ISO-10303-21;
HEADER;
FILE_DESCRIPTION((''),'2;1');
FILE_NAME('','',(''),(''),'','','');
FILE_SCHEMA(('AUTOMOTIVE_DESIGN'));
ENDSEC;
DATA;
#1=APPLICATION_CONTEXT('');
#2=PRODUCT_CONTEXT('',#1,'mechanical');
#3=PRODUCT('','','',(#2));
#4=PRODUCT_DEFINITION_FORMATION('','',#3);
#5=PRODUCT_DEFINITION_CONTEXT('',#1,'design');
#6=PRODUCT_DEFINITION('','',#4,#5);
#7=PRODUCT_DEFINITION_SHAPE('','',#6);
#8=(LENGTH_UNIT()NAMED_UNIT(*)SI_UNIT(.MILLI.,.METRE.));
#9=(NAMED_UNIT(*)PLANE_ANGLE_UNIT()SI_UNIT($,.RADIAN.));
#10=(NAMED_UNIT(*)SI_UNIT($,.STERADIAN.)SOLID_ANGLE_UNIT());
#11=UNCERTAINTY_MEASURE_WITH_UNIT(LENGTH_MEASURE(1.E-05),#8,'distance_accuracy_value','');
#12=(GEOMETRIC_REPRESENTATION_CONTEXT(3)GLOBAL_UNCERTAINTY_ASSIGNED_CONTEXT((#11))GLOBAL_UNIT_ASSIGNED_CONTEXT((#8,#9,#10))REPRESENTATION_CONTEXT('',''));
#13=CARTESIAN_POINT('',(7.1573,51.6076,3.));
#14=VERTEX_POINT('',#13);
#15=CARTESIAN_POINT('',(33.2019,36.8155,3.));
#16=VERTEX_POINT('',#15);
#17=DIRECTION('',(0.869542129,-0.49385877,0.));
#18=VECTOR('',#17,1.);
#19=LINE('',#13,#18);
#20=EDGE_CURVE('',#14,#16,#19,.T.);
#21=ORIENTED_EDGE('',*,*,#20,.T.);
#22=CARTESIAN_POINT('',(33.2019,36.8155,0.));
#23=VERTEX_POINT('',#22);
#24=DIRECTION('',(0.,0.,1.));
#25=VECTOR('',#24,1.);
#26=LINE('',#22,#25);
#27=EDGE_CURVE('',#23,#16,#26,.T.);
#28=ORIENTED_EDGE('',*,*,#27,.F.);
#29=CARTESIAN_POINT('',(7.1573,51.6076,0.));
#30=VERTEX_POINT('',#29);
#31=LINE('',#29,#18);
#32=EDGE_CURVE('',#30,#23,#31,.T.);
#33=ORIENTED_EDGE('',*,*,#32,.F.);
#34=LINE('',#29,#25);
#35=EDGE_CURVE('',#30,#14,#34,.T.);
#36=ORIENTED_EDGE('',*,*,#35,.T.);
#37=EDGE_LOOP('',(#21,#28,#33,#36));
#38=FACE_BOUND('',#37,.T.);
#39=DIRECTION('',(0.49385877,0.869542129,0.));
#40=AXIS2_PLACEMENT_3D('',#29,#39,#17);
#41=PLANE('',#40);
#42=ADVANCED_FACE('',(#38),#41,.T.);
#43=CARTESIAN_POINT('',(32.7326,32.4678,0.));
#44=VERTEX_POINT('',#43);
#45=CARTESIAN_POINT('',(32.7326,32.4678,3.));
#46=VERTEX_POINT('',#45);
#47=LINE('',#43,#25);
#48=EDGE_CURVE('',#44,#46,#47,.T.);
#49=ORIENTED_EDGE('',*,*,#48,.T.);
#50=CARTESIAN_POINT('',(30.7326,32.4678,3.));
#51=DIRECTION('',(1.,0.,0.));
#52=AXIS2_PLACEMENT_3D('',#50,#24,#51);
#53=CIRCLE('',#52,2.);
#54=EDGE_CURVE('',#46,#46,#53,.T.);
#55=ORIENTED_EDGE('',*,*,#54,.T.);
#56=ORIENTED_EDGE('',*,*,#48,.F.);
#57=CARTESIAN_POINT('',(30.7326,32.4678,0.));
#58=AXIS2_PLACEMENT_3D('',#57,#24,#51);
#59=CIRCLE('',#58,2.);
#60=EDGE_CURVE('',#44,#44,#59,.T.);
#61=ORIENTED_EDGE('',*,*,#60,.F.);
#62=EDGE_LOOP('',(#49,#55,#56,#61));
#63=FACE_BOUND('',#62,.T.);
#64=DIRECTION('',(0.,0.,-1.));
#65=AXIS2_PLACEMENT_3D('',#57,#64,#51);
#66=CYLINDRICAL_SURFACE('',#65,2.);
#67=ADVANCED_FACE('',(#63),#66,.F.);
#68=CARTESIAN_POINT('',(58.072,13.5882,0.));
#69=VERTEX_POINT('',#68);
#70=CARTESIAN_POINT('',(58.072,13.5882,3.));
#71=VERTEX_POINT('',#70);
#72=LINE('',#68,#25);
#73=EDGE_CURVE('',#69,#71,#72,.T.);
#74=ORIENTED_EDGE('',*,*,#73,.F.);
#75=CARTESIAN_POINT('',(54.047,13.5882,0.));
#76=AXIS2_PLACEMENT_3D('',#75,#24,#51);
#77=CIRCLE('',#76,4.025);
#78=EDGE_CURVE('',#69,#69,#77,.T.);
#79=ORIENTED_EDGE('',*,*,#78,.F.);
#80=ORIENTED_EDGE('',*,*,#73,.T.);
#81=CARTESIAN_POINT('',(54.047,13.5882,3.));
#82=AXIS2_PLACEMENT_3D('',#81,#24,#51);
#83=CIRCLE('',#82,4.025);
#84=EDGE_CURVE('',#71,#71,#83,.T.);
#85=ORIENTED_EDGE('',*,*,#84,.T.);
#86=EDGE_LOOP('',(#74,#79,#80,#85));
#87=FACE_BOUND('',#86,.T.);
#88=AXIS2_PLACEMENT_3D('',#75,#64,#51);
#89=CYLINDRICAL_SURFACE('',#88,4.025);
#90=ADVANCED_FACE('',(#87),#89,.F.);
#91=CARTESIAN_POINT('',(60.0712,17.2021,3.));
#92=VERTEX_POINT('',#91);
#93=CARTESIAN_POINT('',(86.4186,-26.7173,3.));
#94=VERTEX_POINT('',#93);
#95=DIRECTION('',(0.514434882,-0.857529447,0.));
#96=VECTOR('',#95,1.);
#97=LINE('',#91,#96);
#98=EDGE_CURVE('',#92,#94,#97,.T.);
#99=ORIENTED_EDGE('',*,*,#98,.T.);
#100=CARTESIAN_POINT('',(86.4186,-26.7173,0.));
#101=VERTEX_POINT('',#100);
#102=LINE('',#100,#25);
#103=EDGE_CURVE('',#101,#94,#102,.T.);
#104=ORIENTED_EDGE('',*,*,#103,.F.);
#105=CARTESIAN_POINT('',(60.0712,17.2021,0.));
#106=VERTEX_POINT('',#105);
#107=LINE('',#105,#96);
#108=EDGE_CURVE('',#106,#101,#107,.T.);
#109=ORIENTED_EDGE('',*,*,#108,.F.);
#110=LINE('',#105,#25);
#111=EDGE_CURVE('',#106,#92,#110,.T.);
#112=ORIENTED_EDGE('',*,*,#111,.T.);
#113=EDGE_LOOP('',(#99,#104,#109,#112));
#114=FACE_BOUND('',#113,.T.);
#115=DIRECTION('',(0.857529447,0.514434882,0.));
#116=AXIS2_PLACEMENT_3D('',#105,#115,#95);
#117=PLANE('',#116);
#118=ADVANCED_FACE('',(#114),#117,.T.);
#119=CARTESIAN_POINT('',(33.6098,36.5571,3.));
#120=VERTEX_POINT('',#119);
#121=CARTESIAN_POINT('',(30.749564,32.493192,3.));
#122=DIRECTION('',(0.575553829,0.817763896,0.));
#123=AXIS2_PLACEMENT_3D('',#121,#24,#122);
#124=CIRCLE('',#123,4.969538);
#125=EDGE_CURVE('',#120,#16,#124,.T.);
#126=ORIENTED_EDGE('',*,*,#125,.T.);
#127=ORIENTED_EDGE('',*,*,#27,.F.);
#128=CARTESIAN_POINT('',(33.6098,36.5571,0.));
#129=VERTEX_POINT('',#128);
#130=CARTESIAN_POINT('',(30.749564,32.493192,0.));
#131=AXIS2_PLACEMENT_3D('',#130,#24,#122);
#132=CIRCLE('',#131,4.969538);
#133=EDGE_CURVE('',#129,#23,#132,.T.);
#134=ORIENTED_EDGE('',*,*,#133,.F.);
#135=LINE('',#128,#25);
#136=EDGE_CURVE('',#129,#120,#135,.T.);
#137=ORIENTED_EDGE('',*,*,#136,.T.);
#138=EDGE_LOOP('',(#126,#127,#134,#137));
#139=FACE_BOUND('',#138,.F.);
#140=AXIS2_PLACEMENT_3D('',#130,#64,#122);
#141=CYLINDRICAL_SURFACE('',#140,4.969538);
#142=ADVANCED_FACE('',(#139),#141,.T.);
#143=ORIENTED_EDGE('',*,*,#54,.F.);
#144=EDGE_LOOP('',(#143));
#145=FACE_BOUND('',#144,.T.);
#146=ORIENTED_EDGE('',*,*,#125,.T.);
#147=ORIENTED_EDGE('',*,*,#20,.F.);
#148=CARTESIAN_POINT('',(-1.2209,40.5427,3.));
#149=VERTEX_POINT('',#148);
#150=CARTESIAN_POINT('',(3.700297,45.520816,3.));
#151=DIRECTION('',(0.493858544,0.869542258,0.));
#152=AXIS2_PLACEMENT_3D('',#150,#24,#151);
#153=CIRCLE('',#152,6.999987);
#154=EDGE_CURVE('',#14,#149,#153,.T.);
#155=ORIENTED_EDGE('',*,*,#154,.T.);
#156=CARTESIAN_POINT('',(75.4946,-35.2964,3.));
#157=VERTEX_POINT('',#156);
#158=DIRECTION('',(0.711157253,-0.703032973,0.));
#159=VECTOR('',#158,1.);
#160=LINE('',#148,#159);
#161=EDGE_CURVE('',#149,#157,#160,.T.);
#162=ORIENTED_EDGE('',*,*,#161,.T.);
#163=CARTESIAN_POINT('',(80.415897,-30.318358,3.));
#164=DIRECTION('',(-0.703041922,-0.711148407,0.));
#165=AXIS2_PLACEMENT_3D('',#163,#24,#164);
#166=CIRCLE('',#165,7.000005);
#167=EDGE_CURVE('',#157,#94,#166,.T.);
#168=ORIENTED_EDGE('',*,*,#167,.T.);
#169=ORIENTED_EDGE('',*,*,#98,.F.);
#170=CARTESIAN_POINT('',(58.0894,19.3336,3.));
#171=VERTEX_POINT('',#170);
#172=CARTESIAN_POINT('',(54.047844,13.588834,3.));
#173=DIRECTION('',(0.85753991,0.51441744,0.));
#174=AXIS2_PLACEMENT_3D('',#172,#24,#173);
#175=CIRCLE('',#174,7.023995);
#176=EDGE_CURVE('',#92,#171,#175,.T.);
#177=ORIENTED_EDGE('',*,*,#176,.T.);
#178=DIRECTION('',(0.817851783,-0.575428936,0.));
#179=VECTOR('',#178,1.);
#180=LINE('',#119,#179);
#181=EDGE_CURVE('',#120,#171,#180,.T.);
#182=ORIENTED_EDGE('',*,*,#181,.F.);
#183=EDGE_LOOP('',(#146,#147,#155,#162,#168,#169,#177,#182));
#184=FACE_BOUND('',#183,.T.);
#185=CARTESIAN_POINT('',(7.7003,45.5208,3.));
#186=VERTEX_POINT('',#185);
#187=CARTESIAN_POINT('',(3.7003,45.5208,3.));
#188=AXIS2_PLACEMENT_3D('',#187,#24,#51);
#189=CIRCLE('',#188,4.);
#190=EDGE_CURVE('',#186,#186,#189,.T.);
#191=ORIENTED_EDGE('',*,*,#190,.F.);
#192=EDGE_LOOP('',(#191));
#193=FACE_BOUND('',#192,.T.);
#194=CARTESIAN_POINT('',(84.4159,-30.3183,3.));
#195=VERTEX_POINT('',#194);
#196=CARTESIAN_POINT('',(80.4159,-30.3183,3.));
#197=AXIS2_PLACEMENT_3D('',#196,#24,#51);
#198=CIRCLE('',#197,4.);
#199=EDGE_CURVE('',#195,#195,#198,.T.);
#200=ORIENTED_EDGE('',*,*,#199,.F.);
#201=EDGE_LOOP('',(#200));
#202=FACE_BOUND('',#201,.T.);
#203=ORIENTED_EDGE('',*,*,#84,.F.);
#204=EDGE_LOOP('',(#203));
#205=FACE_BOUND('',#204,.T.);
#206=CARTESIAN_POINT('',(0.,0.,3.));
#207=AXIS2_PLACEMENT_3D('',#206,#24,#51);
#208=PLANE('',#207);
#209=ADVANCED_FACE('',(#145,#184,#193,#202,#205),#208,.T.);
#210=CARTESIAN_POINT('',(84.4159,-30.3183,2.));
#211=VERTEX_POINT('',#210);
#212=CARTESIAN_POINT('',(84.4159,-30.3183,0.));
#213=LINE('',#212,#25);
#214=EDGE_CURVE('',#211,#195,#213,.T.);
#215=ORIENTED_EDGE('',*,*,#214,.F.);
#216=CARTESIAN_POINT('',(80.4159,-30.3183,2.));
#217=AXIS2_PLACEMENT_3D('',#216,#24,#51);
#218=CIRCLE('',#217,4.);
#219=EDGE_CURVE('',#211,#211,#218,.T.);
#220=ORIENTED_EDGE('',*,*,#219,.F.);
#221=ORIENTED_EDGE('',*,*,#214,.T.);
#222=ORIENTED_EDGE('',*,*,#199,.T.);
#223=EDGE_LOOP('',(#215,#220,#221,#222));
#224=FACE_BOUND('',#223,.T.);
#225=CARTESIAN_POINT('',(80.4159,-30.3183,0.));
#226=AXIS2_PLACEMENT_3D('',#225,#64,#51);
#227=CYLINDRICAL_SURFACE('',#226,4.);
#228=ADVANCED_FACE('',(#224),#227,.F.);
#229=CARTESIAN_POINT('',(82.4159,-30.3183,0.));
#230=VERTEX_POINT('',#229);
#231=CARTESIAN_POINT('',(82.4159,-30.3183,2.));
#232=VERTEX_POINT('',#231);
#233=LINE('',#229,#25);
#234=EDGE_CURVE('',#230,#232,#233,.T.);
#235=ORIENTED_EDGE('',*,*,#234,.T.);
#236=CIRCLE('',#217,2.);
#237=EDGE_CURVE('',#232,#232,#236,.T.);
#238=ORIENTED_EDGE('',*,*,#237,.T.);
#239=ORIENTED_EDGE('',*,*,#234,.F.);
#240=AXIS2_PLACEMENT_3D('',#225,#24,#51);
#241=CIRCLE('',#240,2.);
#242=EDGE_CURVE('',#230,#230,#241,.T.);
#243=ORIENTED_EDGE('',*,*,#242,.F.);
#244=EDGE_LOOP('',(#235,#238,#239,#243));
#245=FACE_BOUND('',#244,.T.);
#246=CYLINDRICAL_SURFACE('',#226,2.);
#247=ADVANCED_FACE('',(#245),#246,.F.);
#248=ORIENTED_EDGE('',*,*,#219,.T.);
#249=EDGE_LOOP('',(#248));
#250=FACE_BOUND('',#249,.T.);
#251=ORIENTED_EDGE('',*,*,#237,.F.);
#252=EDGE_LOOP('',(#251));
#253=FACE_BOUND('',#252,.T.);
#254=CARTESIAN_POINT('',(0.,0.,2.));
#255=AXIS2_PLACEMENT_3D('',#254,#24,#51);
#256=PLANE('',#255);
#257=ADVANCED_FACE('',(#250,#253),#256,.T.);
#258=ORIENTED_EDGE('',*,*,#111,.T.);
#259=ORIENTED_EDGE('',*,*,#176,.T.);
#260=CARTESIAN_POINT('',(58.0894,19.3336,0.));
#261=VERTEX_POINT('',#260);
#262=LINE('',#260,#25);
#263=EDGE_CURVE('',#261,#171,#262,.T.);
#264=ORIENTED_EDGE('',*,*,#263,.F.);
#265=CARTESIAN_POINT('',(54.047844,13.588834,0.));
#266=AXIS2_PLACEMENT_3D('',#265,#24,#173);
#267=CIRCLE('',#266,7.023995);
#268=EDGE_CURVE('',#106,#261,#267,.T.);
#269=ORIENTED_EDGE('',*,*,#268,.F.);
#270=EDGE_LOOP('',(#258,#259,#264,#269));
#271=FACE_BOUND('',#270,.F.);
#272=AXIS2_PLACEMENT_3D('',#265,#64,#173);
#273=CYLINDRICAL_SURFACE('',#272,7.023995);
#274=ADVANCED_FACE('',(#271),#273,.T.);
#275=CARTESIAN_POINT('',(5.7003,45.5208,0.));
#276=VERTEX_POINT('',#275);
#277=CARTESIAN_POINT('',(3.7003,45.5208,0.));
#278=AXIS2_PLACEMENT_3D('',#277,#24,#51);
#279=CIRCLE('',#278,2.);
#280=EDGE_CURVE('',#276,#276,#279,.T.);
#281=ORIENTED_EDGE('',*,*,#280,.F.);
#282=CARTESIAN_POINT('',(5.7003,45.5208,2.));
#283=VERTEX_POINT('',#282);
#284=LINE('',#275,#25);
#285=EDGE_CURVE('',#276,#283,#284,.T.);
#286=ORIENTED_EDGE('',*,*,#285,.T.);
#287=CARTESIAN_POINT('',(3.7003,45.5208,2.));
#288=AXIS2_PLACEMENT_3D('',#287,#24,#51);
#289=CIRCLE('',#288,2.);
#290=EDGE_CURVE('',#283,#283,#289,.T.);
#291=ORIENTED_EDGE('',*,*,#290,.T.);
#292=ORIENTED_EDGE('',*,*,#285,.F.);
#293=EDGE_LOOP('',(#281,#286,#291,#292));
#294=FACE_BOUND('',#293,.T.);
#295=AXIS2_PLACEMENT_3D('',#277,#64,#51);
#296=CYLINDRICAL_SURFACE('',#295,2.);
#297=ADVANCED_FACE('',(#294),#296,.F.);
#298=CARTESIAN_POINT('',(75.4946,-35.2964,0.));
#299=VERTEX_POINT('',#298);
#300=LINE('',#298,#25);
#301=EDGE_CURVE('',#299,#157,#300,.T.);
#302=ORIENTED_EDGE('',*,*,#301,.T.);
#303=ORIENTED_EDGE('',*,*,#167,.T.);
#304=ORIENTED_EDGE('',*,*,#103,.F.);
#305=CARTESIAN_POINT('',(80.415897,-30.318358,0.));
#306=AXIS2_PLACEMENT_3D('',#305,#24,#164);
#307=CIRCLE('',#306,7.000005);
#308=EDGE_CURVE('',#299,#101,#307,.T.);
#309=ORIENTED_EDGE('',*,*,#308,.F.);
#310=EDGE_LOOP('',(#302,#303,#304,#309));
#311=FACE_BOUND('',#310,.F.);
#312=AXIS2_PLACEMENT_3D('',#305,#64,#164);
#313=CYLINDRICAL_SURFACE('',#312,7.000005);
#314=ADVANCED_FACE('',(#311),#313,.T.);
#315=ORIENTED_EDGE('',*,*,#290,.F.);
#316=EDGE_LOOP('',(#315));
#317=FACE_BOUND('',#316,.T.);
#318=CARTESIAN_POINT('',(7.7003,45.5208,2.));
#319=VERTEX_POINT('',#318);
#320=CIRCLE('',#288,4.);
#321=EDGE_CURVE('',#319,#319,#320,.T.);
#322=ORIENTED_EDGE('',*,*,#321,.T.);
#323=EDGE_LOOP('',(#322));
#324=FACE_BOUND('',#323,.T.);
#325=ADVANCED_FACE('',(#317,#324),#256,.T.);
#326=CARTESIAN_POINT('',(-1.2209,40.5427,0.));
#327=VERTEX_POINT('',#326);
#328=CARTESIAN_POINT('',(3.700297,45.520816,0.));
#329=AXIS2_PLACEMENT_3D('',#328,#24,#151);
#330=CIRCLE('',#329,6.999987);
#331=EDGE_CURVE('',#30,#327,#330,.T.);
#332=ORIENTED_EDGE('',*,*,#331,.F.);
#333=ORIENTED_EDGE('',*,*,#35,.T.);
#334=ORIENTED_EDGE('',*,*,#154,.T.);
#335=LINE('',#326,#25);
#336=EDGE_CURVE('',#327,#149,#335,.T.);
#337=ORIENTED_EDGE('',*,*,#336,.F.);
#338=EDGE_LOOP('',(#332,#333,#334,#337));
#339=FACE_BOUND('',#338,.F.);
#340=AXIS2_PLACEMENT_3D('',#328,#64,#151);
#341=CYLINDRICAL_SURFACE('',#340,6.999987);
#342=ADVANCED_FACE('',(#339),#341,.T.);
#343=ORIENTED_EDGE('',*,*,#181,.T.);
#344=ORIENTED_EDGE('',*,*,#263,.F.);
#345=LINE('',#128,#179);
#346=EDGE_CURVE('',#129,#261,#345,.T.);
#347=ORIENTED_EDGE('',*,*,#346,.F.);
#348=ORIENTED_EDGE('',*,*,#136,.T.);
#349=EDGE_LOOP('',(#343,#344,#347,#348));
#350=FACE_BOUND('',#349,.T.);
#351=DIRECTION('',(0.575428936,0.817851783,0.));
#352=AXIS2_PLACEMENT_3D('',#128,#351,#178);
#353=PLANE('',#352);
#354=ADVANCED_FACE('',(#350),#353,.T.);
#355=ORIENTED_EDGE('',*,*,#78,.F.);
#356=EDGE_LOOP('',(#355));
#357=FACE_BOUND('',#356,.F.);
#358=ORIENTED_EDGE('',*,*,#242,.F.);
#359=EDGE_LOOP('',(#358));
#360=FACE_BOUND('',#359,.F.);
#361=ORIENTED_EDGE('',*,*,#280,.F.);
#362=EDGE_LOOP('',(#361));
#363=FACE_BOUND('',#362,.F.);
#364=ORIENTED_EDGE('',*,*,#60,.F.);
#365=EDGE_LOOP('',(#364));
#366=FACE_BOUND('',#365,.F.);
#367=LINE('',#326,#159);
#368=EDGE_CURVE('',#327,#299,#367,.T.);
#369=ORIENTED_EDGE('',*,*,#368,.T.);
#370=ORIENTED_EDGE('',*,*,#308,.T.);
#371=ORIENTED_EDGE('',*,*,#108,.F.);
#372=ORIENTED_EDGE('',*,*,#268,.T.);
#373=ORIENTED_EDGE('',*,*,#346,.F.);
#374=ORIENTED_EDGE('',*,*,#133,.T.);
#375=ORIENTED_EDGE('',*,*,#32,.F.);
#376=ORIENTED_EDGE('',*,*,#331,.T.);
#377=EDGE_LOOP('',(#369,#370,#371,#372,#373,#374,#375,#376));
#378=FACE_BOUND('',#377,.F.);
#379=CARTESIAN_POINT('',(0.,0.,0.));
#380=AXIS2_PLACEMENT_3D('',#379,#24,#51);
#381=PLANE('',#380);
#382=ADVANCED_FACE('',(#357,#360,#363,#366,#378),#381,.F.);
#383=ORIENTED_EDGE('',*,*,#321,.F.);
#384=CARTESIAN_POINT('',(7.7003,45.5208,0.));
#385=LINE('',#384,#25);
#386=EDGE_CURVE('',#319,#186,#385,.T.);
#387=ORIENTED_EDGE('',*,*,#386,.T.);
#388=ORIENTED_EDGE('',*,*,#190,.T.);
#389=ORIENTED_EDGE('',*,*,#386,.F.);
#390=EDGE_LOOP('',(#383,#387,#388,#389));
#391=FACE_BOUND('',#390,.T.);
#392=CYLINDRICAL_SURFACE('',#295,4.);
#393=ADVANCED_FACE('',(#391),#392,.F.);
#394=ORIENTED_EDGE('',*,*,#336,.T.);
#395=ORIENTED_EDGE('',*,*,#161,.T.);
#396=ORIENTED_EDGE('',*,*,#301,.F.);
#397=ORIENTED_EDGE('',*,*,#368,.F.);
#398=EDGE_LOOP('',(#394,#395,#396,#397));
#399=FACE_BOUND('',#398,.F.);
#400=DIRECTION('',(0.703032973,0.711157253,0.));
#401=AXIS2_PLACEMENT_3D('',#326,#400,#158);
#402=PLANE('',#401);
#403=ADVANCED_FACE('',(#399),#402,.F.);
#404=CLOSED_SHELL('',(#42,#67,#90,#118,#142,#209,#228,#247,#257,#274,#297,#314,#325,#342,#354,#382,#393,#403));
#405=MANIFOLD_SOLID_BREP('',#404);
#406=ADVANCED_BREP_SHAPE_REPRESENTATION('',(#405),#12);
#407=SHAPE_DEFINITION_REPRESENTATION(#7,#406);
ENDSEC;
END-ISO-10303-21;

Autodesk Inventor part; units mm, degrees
ref_plane "YZ Plane" through (0, 0, 0) normal (1, 0, 0) x (0, 1, 0)
ref_plane "XZ Plane" through (0, 0, 0) normal (0, 1, 0) x (-1, 0, 0)
ref_plane "XY Plane" through (0, 0, 0) normal (0, 0, 1) x (1, 0, 0)
sketch "スケッチ1" plane through (0, 0, 0) normal (0, 0, 1) x (1, 0, 0)
  circle A0 centre (3.7003, 45.5208) radius 4
  circle A1 centre (80.4159, -30.3183) radius 4
  circle A2 centre (80.4159, -30.3183) radius 2
  circle A3 centre (3.7003, 45.5208) radius 2
  circle A4 centre (30.7326, 32.4678) radius 2
  circle A5 centre (54.047, 13.5882) radius 4.025
  arc A6 (7.1573, 51.6076) -> (-1.2209, 40.5427) centre (3.7003, 45.5208) ccw
  arc A7 (75.4946, -35.2964) -> (86.4186, -26.7173) centre (80.4159, -30.3183) ccw
  arc A8 (60.0712, 17.2021) -> (58.0894, 19.3336) centre (54.047, 13.5882) ccw
  arc A9 (33.6098, 36.5571) -> (33.2019, 36.8155) centre (30.7326, 32.4678) ccw
  line L0 (7.1573, 51.6076) -> (33.2019, 36.8155)
  line L1 (33.6098, 36.5571) -> (58.0894, 19.3336)
  line L2 (60.0712, 17.2021) -> (86.4186, -26.7173)
  line L3 (-1.2209, 40.5427) -> (75.4946, -35.2964)
  point P0 (0, 0)
  point P1 (0, 0)
  dimension "d0" = 3
  dimension "d1" = 3
  dimension "d2" = 3
  dimension "d3" = 3
extrude "押し出し1" add sketch "スケッチ1" along normal blind 3 contours L0 A9 L1 A8 L2 A7 L3 A6
extrude "押し出し2" add sketch "スケッチ1" along normal blind 2 contours A0 | A1
properties part number "アーム左フレーム" material "アルミニウム 2014-T4"
